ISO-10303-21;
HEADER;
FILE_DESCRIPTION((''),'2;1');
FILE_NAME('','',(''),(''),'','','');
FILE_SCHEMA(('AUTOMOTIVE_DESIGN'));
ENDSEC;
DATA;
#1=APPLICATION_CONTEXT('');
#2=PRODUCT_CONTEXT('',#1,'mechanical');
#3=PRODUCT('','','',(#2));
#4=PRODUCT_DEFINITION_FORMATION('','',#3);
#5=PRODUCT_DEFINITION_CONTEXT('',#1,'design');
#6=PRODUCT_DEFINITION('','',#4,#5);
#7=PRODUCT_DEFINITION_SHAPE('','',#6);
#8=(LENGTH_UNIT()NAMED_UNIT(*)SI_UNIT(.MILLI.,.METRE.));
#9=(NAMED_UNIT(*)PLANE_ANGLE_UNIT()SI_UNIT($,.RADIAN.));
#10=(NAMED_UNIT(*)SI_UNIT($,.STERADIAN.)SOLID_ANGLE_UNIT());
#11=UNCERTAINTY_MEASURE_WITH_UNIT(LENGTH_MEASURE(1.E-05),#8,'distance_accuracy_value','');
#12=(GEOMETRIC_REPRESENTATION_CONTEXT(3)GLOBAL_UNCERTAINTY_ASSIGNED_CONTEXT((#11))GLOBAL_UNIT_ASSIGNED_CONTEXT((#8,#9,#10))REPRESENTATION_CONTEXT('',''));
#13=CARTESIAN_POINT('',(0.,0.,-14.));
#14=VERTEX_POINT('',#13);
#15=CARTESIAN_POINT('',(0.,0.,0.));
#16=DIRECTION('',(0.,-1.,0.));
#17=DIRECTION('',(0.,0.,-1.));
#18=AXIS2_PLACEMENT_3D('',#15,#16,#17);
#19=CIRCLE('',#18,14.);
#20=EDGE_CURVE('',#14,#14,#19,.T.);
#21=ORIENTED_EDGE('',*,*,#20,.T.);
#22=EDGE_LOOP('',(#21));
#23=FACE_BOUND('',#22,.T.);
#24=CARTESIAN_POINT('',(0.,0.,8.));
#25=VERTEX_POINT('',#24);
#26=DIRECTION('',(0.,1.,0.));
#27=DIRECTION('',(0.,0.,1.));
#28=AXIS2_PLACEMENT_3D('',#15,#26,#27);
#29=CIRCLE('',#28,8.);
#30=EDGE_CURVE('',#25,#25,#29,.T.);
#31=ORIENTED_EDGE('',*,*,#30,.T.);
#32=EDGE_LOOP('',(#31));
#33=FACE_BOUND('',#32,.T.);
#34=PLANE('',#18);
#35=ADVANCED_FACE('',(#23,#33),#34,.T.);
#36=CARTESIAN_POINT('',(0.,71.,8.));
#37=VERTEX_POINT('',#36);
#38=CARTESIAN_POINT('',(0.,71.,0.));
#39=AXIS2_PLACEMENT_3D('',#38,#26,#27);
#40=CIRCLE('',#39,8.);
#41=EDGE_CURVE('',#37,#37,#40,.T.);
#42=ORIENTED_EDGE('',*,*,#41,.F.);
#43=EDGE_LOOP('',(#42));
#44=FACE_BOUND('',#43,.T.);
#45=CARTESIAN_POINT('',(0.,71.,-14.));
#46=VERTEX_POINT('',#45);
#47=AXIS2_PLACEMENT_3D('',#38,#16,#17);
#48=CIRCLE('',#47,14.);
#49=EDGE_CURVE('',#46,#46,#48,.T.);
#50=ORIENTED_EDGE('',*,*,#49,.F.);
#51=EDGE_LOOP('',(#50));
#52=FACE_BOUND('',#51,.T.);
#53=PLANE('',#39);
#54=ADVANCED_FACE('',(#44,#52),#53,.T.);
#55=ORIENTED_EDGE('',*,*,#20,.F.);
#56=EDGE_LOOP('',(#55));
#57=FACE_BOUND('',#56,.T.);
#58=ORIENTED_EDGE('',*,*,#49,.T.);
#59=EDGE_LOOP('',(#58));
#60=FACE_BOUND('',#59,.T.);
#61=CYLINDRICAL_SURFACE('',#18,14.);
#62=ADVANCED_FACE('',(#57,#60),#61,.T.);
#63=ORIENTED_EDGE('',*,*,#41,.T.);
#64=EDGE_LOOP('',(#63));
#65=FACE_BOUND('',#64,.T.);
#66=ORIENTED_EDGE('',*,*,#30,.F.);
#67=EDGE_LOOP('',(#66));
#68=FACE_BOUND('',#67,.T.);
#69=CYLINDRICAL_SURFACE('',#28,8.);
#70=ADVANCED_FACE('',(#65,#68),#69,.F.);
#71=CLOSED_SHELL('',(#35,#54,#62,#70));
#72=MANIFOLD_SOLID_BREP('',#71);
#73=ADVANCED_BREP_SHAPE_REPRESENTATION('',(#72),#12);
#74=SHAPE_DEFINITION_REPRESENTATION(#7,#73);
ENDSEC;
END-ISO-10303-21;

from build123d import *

# Parameters (mm, degrees)
SKETCH_1_W          = 14
SKETCH_1_H          = 71
SKETCH_2_R          = 8
CUT_EXTRUDE_1_DEPTH = 74.708886845


with BuildPart() as part:
    # 草图1 → 旋转1 (revolve)
    with BuildSketch(Plane.XY, mode=Mode.PRIVATE) as revolve_1_sk:
        with Locations((7, 35.5)):
            Rectangle(SKETCH_1_W, SKETCH_1_H)
    revolve(revolve_1_sk.sketch.rotate(Axis((0, 0, 0), (0, 1, 0)), 90), axis=Axis((0, 0, 0), (0, 1, 0)))

    # 草图2 → 切除-拉伸1 (cut, through all)
    with BuildSketch(Plane(origin=(0, 71, 0), x_dir=(1, 0, 0), z_dir=(0, 1, 0))):
        with Locations(Location((0, 0, 0), (0, 0, 270))):
            Circle(SKETCH_2_R)
    extrude(amount=-CUT_EXTRUDE_1_DEPTH, mode=Mode.SUBTRACT)


solid = part.part
